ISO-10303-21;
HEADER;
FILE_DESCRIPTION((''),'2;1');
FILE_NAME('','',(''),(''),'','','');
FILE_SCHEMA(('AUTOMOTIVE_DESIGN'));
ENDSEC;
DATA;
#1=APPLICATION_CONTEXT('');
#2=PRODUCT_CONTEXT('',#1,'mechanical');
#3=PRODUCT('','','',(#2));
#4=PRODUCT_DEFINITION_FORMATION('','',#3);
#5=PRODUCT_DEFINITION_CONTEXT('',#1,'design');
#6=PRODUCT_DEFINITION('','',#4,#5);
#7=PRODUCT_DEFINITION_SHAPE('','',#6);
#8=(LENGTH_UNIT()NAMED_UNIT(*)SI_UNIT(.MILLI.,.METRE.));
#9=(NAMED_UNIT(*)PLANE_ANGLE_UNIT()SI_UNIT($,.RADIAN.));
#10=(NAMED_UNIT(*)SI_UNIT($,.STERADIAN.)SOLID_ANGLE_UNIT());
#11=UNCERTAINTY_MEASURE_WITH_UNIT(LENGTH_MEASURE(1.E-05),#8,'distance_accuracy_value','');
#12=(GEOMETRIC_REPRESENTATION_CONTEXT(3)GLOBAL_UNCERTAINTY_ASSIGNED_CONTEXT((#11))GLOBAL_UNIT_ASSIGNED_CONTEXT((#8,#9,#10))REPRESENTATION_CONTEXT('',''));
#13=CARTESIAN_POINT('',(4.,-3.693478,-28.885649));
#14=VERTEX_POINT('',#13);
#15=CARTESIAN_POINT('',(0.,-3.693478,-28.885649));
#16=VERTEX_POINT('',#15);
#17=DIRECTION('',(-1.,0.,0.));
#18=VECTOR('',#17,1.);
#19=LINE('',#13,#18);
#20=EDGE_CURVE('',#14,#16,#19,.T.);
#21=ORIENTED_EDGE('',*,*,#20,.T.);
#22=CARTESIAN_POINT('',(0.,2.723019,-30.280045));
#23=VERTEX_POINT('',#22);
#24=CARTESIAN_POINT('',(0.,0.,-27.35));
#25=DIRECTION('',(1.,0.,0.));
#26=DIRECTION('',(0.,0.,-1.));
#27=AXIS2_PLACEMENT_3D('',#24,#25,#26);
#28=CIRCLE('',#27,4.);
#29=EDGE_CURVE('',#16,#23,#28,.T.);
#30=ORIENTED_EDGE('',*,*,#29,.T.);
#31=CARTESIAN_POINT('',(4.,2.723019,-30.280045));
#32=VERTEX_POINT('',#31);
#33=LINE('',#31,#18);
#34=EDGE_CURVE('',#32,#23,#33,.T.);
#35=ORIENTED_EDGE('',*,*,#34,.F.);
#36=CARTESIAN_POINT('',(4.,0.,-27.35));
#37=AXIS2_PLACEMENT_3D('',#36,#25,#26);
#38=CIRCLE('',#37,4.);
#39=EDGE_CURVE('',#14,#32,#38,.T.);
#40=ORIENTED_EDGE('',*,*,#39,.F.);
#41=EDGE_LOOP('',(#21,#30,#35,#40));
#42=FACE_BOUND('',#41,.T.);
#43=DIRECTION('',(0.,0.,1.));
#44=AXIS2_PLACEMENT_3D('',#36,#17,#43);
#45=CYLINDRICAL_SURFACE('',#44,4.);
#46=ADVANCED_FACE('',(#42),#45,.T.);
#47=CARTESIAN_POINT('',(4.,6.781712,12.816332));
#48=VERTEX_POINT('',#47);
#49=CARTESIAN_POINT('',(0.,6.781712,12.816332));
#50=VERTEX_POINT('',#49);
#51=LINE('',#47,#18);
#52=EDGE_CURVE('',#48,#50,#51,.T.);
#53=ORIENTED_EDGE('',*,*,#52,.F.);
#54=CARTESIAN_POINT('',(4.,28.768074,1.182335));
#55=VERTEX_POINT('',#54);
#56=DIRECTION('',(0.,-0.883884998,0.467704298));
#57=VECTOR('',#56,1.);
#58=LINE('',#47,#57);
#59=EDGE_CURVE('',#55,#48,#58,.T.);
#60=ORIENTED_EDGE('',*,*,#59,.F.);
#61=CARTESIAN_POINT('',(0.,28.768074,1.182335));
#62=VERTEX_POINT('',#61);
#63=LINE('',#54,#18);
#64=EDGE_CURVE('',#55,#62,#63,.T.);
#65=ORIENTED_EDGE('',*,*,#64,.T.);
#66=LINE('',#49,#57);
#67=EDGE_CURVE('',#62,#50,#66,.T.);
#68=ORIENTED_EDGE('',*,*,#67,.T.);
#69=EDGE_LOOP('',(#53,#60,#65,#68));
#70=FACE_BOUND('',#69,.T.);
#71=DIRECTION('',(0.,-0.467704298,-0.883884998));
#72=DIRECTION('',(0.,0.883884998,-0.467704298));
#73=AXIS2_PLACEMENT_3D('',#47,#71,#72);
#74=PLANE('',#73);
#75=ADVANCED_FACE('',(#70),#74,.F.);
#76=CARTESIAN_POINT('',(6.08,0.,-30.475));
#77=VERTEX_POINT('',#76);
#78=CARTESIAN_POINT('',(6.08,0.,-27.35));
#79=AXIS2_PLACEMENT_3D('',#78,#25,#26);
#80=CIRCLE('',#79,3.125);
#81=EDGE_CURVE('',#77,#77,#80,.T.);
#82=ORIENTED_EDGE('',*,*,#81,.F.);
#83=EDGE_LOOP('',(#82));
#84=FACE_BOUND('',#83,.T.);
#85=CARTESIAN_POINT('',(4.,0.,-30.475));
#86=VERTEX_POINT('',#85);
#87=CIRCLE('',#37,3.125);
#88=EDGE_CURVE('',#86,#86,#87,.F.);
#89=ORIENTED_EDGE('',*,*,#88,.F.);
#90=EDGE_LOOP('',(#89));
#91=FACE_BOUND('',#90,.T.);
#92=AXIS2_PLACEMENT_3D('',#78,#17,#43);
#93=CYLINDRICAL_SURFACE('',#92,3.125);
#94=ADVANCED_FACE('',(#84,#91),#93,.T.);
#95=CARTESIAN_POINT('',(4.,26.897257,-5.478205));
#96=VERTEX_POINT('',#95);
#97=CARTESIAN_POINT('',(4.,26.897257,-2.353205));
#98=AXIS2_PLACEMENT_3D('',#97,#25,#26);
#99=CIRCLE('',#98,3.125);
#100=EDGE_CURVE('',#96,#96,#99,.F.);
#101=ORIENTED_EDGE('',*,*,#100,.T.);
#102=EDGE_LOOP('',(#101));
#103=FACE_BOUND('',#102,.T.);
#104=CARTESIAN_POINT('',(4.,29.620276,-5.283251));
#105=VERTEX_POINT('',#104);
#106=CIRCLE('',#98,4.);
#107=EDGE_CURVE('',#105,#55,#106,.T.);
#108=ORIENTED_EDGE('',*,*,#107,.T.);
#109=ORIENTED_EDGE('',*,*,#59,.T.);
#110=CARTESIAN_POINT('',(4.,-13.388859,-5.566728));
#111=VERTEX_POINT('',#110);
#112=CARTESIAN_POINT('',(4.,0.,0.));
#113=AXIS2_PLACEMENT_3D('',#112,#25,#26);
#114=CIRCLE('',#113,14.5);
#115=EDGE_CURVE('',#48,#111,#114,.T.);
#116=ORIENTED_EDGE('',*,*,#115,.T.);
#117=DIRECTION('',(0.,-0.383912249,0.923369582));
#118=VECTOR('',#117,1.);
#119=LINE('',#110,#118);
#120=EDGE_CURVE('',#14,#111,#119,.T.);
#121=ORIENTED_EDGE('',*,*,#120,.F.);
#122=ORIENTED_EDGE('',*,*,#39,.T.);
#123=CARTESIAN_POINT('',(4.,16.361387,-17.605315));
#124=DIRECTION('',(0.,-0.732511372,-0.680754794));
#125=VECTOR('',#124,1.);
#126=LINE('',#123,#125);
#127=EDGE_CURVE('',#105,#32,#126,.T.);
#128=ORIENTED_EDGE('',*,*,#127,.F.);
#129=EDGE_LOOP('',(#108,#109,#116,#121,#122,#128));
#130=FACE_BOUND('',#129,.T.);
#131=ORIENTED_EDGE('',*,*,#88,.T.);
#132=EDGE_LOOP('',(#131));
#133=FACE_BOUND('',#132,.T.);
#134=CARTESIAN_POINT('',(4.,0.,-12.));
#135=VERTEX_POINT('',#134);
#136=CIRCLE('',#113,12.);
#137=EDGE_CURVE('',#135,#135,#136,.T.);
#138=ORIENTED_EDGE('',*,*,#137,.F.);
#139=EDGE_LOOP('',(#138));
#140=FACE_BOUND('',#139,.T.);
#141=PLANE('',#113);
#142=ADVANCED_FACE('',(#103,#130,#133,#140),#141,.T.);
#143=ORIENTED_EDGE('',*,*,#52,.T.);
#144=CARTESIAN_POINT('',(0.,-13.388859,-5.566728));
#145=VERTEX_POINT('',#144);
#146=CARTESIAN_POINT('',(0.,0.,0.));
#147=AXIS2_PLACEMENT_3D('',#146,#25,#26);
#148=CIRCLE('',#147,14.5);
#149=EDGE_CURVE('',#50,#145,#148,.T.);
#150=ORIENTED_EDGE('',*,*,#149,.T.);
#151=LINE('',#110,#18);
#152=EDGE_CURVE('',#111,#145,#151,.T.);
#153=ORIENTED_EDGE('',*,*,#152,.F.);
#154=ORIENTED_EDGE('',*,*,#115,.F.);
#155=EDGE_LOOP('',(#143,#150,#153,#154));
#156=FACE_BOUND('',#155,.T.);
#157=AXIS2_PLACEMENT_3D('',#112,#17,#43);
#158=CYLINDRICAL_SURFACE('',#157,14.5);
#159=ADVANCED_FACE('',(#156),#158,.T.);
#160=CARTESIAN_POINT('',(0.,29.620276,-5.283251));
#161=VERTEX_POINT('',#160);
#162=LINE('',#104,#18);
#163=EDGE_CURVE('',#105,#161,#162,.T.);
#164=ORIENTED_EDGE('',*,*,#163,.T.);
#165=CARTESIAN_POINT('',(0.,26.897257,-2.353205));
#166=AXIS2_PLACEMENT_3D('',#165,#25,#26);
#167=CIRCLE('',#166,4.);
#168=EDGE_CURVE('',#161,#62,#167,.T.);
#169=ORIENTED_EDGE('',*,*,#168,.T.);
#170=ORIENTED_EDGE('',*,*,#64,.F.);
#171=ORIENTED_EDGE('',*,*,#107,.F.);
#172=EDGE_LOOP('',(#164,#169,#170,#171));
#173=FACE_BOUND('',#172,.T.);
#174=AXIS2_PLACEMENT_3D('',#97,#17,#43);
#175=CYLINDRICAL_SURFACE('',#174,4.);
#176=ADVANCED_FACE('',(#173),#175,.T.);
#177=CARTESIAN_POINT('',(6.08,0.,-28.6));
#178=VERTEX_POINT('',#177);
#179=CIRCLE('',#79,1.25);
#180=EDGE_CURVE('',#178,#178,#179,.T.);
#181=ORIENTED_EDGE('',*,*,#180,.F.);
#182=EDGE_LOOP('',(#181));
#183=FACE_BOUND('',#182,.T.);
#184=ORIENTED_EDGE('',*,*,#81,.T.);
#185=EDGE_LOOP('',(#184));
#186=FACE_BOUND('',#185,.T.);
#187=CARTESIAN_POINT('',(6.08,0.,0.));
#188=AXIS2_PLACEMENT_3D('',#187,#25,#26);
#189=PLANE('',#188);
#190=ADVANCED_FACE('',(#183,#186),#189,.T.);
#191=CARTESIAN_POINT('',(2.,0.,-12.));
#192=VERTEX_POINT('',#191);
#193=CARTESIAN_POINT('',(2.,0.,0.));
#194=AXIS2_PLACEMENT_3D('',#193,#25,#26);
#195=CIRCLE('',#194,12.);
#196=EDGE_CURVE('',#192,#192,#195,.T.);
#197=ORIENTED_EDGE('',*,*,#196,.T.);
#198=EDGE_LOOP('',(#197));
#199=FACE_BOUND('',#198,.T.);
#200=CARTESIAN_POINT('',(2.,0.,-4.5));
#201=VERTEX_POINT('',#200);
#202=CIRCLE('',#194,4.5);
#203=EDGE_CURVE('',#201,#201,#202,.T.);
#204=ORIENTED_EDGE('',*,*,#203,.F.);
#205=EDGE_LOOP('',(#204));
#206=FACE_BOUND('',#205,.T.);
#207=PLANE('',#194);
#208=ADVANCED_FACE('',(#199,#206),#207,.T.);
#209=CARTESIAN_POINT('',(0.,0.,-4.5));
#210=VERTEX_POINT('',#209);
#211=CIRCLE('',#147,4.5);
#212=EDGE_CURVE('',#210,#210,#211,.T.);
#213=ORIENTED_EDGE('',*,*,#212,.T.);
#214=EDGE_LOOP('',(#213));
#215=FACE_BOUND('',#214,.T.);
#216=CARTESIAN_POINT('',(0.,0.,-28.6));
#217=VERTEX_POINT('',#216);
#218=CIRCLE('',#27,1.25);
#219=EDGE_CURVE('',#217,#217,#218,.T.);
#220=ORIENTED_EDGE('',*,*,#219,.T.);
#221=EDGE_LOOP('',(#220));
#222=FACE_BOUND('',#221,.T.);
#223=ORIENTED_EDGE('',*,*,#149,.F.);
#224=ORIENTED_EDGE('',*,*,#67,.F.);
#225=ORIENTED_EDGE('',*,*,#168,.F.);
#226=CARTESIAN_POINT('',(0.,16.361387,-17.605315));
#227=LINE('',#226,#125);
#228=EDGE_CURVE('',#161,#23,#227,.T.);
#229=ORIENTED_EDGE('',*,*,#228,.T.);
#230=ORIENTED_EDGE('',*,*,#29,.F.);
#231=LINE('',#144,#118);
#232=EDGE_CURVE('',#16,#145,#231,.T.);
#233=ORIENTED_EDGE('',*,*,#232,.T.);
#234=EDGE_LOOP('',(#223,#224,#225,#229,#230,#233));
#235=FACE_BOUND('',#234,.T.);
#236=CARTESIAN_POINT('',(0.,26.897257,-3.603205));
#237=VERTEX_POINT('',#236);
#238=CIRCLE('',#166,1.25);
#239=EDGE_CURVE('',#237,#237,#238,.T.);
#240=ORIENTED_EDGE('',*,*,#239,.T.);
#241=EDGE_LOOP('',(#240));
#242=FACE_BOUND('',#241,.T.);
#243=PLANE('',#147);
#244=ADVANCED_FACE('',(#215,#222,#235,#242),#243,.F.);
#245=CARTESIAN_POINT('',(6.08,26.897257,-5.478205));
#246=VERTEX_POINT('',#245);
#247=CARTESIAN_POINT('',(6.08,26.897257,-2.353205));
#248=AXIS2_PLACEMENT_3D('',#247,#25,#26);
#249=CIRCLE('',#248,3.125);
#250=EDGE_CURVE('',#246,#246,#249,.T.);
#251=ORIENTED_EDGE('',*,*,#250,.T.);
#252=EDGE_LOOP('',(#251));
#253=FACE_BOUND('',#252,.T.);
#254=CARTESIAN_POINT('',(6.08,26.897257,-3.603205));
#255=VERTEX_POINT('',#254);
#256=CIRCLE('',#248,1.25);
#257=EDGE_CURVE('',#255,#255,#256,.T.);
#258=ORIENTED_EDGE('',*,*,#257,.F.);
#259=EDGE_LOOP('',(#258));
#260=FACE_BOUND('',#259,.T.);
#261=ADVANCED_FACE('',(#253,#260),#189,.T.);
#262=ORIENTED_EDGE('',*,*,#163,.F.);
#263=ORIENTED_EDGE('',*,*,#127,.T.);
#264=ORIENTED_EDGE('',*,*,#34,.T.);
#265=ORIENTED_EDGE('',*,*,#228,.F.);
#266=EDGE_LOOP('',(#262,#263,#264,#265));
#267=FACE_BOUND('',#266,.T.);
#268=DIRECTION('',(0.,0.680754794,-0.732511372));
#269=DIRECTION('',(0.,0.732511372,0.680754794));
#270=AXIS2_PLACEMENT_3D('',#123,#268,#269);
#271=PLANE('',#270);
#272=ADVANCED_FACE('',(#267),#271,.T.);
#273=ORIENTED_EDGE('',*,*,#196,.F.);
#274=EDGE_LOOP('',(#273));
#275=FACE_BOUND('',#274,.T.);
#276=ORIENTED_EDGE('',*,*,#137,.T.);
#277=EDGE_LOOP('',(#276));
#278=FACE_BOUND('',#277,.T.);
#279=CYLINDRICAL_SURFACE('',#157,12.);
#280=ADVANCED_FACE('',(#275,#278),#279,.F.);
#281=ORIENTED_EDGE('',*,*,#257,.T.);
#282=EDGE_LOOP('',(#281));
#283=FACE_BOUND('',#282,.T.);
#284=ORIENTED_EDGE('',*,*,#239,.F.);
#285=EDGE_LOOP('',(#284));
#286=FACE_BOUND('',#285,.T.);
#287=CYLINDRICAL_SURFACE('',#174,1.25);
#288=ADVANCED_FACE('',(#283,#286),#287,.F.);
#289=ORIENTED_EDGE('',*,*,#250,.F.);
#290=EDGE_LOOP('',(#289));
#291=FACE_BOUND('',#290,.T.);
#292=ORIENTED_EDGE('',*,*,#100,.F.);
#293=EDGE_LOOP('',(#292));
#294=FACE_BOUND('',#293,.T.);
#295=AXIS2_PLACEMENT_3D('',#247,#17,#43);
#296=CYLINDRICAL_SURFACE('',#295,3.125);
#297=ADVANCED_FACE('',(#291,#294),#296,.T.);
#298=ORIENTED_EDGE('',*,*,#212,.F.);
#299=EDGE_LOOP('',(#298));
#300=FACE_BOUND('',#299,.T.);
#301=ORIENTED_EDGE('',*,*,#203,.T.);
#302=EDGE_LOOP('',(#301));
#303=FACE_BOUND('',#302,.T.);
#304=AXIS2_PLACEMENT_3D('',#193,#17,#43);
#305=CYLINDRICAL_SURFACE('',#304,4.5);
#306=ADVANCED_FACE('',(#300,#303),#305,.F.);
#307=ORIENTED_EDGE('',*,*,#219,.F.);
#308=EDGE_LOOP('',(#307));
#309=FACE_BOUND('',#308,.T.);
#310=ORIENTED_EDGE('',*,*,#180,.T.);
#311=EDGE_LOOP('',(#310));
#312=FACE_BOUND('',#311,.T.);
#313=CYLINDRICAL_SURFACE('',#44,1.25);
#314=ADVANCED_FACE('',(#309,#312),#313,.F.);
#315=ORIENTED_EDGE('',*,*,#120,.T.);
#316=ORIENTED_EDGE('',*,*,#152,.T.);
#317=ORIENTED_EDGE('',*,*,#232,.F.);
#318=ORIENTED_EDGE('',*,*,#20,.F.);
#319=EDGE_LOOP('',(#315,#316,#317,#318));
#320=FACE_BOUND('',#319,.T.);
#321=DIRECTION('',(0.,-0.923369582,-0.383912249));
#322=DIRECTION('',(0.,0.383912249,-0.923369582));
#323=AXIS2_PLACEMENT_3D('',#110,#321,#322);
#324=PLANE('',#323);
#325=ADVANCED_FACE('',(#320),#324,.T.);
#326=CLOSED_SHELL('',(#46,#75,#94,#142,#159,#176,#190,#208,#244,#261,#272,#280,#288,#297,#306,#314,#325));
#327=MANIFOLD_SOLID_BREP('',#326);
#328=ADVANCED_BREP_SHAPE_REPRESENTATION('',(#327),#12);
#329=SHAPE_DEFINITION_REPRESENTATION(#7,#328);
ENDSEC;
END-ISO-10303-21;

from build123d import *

# Parameters (mm, degrees)
SKETCH1_R           = 12
SKETCH1_R_2         = 1.25
BOSS_EXTRUDE1_DEPTH = 4
SKETCH1_3_R         = 3.125
SKETCH1_3_R_2       = 1.25
BOSS_EXTRUDE2_DEPTH = 6.08
SKETCH1_4_R         = 12
SKETCH1_4_R_2       = 4.5
BOSS_EXTRUDE3_DEPTH = 2


with BuildPart() as part:
    # Sketch1 → Boss-Extrude1 (new body)
    with BuildSketch(Plane(origin=(0, 0, 0), x_dir=(0, 0, -1), z_dir=(1, 0, 0))):
        with BuildLine():
            Line((30.280045487, 2.723019178), (5.283250541, 29.620276026))
            ThreePointArc((5.283250541, 29.620276026), (1.830502506, 30.862957549), (-1.182334937, 28.768074042))
            Line((-1.182334937, 28.768074042), (-12.816332467, 6.781712327))
            ThreePointArc((-12.816332467, 6.781712327), (-10.716910889, -9.767180811), (5.566727605, -13.388858942))
            Line((5.566727605, -13.388858942), (28.885648995, -3.693478329))
            ThreePointArc((28.885648995, -3.693478329), (31.258767947, -0.849431066), (30.280045487, 2.723019178))
        make_face()
        Circle(SKETCH1_R, mode=Mode.SUBTRACT)
        with Locations((2.353205054, 26.897256848)):
            Circle(SKETCH1_R_2, mode=Mode.SUBTRACT)
        with Locations((27.35, 0)):
            Circle(SKETCH1_R_2, mode=Mode.SUBTRACT)
    extrude(amount=BOSS_EXTRUDE1_DEPTH)

    # Sketch1<3> → Boss-Extrude2 (add)
    # profile 1 of 2: a face of its own
    with BuildSketch(Plane(origin=(0, 0, 0), x_dir=(0, 0, -1), z_dir=(1, 0, 0))):
        with Locations((2.353205054, 26.897256848)):
            Circle(SKETCH1_3_R)
        with Locations((2.353205054, 26.897256848)):
            Circle(SKETCH1_3_R_2, mode=Mode.SUBTRACT)
    # profile 2 of 2: a face of its own
    with BuildSketch(Plane(origin=(0, 0, 0), x_dir=(0, 0, -1), z_dir=(1, 0, 0))):
        with Locations((27.35, 0)):
            Circle(SKETCH1_3_R)
        with Locations((27.35, 0)):
            Circle(SKETCH1_3_R_2, mode=Mode.SUBTRACT)
    extrude(amount=BOSS_EXTRUDE2_DEPTH)

    # Sketch1<4> → Boss-Extrude3 (add)
    with BuildSketch(Plane(origin=(0, 0, 0), x_dir=(0, 0, -1), z_dir=(1, 0, 0))):
        Circle(SKETCH1_4_R)
        Circle(SKETCH1_4_R_2, mode=Mode.SUBTRACT)
    extrude(amount=BOSS_EXTRUDE3_DEPTH)


solid = part.part
